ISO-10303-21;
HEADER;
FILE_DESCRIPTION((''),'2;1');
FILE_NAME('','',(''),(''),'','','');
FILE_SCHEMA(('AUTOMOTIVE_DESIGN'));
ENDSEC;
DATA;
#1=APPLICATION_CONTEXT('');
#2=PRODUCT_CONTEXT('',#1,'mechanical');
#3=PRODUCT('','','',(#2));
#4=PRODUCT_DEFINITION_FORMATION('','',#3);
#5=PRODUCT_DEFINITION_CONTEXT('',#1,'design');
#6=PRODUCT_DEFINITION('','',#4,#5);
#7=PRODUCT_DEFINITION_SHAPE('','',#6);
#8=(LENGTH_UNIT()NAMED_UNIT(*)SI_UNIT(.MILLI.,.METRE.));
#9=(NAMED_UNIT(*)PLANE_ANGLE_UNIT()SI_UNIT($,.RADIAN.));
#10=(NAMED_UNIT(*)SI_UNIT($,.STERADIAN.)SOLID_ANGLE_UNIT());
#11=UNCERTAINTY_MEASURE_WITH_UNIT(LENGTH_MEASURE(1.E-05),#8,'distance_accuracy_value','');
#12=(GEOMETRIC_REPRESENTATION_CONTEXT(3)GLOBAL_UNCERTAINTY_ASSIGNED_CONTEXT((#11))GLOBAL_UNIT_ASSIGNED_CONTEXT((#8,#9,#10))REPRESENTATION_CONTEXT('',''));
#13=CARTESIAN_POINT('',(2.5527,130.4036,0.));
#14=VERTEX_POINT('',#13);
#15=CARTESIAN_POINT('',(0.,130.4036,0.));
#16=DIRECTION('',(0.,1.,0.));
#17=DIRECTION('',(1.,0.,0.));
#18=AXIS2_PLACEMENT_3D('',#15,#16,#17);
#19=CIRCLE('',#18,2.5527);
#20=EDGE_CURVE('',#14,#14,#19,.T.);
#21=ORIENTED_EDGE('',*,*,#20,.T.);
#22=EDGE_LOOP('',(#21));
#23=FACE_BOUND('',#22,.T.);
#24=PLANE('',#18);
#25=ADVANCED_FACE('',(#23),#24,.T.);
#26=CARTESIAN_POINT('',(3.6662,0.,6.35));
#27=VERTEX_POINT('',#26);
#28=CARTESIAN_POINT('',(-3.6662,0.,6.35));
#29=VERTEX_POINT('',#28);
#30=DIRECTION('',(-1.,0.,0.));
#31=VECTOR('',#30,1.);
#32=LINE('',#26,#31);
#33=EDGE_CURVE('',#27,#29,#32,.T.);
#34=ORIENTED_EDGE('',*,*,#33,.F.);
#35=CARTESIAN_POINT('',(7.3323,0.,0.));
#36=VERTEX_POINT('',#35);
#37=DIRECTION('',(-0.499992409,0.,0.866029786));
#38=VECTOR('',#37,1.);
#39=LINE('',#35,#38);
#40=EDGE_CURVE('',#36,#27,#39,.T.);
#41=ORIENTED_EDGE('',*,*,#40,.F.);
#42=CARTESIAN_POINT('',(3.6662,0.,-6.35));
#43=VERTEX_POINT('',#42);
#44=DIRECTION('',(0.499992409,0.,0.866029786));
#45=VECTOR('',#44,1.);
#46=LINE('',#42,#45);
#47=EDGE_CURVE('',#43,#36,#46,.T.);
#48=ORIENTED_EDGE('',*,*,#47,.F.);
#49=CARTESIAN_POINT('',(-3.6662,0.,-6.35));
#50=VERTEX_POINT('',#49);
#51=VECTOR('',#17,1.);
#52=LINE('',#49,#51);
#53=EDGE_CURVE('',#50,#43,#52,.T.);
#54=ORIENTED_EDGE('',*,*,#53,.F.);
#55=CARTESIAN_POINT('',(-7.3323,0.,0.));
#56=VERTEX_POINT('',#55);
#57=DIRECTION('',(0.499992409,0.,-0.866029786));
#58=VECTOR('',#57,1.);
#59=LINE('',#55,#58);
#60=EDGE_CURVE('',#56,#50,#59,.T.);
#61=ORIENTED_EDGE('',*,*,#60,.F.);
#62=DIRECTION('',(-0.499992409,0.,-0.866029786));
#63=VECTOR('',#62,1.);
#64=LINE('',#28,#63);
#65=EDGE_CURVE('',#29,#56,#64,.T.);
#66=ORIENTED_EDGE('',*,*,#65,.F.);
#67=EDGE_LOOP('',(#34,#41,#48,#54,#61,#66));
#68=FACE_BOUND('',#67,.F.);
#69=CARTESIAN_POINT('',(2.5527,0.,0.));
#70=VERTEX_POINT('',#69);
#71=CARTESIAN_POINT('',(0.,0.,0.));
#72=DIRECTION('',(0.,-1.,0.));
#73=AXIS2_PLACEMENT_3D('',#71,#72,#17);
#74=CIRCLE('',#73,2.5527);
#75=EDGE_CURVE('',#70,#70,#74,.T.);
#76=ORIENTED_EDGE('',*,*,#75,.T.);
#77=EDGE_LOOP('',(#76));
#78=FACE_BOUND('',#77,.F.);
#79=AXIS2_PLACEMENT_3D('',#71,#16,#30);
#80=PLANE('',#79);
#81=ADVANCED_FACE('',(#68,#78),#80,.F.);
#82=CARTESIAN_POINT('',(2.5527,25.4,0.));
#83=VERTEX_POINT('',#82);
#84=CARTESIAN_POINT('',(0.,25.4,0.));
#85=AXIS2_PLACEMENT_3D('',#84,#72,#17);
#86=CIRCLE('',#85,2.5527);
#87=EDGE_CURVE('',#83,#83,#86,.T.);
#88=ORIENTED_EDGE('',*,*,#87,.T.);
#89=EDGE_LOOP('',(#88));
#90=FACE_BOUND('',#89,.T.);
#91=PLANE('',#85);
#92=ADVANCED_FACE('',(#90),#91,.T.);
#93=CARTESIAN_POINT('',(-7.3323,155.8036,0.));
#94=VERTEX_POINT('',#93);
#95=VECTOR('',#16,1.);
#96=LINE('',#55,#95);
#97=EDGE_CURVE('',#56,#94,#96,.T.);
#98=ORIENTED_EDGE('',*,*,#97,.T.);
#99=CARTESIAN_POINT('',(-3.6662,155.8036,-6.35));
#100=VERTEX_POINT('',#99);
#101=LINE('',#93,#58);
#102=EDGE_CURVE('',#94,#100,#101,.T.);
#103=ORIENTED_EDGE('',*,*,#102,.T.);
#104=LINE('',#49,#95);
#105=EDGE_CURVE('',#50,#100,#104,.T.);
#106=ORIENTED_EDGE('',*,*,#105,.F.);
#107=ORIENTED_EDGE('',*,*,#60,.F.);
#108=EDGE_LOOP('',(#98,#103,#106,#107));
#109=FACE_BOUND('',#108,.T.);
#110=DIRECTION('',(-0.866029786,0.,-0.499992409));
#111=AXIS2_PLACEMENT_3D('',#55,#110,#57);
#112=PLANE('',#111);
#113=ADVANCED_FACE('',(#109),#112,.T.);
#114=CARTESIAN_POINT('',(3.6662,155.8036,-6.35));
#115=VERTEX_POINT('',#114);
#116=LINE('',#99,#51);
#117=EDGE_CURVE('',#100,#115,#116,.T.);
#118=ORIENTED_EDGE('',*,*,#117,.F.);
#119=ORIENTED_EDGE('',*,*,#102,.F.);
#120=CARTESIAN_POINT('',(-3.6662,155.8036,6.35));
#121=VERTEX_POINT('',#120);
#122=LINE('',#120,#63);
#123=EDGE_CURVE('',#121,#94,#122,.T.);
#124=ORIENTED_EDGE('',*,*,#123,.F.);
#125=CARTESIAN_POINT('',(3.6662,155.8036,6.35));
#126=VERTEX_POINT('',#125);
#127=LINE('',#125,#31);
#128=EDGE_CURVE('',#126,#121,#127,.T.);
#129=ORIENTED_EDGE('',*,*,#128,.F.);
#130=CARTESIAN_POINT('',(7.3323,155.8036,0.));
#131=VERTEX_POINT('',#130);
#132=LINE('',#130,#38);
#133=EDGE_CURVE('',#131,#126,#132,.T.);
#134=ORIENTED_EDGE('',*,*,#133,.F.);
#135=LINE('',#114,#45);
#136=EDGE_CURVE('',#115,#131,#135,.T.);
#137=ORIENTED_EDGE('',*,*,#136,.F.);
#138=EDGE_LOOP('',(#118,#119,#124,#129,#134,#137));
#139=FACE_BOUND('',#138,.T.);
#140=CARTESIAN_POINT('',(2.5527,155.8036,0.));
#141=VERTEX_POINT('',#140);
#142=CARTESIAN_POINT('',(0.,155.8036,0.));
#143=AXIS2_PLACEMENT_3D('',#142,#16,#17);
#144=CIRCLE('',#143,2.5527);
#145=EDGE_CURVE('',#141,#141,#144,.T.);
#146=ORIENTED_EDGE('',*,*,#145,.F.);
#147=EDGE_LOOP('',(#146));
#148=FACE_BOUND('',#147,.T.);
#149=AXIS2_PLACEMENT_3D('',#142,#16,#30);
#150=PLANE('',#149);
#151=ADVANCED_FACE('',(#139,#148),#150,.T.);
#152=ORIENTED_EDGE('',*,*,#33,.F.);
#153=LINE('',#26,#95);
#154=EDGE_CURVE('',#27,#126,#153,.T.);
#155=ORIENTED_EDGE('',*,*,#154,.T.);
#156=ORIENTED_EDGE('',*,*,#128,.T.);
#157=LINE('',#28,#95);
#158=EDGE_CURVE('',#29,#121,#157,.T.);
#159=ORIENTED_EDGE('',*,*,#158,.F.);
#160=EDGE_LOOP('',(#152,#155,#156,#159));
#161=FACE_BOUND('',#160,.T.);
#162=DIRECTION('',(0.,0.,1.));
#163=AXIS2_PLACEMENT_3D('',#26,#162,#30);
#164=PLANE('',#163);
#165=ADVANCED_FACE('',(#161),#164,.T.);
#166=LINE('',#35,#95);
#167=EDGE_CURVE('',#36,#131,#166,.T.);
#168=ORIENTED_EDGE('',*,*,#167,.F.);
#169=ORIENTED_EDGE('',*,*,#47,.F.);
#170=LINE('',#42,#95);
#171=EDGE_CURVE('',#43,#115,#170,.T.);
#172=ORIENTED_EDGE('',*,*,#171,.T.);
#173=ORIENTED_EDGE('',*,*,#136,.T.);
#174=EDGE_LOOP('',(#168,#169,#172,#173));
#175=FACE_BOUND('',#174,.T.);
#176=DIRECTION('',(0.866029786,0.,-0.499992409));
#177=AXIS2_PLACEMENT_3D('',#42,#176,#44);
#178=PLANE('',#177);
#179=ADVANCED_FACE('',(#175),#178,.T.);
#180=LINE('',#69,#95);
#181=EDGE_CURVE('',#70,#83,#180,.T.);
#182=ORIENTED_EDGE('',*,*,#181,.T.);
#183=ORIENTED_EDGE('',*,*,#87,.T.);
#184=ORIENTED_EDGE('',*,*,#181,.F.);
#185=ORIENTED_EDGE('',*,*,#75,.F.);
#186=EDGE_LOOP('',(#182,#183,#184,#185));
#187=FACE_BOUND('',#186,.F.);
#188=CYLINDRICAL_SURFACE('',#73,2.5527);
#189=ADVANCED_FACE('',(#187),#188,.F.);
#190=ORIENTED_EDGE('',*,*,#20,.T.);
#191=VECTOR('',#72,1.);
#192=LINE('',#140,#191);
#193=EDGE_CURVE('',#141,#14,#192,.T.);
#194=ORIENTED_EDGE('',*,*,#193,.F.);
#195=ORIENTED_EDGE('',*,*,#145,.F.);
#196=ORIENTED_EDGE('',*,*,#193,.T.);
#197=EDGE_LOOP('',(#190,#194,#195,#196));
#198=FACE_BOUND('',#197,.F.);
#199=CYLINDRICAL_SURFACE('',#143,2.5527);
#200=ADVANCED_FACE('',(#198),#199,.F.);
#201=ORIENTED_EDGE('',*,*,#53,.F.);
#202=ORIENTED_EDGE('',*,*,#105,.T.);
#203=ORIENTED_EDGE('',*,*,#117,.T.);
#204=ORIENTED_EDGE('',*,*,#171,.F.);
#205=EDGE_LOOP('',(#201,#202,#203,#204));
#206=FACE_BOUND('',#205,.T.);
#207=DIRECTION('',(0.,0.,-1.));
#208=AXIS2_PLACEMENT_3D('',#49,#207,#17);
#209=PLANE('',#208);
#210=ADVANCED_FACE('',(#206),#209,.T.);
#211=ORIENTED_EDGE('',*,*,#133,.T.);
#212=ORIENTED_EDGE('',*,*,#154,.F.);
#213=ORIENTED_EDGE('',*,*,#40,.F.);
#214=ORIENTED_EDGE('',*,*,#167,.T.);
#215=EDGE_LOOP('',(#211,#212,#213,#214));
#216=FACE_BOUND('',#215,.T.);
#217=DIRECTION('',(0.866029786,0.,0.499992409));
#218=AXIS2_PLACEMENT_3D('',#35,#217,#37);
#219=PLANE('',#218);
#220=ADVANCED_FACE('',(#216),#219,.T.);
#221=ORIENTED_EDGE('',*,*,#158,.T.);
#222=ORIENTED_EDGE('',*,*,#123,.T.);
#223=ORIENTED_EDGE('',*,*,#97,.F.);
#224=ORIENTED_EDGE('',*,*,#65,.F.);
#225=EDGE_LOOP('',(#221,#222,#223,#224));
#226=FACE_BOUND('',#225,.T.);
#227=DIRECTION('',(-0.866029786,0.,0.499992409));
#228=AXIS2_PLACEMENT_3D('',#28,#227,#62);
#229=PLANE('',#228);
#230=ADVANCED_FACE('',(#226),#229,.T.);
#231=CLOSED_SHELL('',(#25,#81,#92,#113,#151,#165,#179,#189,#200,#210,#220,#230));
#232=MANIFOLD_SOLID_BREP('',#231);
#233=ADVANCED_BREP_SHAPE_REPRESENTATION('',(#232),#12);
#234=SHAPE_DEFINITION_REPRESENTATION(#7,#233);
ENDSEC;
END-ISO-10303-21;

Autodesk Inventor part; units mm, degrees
ref_plane "YZ Plane" through (0, 0, 0) normal (1, 0, 0) x (0, 1, 0)
ref_plane "XZ Plane" through (0, 0, 0) normal (0, 1, 0) x (-1, 0, 0)
ref_plane "XY Plane" through (0, 0, 0) normal (0, 0, 1) x (1, 0, 0)
sketch "Sketch1" plane through (0, 0, 0) normal (0, 1, 0) x (-1, 0, 0)
  line L0 (-7.3323, 0) -> (-3.6662, 6.35)
  line L1 (-3.6662, 6.35) -> (3.6662, 6.35)
  line L2 (3.6662, 6.35) -> (7.3323, 0)
  line L3 (7.3323, 0) -> (3.6662, -6.35)
  line L4 (3.6662, -6.35) -> (-3.6662, -6.35)
  line L5 (-3.6662, -6.35) -> (-7.3323, 0)
  point P0 (0, 0)
  point P1 (0, 0)
  dimension "d0" = 12.7
extrude "Extrusion1" add sketch "Sketch1" along normal blind 155.8036
sketch "Sketch2" plane through (0, 155.8036, 0) normal (0, 1, 0) x (1, 0, 0)
  circle A0 centre (0, 0) radius 2.5527
  dimension "d3" = 5.1054
sketch "Sketch3" plane through (0, 0, 0) normal (0, -1, 0) x (1, 0, 0)
  circle A0 centre (0, 0) radius 2.5527
  dimension "d4" = 5.1054
extrude "Extrusion2" cut sketch "Sketch3" against normal blind 25.4
extrude "Extrusion3" cut sketch "Sketch2" against normal blind 25.4
properties part number "INDX_016_BottomHex" material "Aluminum 6061"
